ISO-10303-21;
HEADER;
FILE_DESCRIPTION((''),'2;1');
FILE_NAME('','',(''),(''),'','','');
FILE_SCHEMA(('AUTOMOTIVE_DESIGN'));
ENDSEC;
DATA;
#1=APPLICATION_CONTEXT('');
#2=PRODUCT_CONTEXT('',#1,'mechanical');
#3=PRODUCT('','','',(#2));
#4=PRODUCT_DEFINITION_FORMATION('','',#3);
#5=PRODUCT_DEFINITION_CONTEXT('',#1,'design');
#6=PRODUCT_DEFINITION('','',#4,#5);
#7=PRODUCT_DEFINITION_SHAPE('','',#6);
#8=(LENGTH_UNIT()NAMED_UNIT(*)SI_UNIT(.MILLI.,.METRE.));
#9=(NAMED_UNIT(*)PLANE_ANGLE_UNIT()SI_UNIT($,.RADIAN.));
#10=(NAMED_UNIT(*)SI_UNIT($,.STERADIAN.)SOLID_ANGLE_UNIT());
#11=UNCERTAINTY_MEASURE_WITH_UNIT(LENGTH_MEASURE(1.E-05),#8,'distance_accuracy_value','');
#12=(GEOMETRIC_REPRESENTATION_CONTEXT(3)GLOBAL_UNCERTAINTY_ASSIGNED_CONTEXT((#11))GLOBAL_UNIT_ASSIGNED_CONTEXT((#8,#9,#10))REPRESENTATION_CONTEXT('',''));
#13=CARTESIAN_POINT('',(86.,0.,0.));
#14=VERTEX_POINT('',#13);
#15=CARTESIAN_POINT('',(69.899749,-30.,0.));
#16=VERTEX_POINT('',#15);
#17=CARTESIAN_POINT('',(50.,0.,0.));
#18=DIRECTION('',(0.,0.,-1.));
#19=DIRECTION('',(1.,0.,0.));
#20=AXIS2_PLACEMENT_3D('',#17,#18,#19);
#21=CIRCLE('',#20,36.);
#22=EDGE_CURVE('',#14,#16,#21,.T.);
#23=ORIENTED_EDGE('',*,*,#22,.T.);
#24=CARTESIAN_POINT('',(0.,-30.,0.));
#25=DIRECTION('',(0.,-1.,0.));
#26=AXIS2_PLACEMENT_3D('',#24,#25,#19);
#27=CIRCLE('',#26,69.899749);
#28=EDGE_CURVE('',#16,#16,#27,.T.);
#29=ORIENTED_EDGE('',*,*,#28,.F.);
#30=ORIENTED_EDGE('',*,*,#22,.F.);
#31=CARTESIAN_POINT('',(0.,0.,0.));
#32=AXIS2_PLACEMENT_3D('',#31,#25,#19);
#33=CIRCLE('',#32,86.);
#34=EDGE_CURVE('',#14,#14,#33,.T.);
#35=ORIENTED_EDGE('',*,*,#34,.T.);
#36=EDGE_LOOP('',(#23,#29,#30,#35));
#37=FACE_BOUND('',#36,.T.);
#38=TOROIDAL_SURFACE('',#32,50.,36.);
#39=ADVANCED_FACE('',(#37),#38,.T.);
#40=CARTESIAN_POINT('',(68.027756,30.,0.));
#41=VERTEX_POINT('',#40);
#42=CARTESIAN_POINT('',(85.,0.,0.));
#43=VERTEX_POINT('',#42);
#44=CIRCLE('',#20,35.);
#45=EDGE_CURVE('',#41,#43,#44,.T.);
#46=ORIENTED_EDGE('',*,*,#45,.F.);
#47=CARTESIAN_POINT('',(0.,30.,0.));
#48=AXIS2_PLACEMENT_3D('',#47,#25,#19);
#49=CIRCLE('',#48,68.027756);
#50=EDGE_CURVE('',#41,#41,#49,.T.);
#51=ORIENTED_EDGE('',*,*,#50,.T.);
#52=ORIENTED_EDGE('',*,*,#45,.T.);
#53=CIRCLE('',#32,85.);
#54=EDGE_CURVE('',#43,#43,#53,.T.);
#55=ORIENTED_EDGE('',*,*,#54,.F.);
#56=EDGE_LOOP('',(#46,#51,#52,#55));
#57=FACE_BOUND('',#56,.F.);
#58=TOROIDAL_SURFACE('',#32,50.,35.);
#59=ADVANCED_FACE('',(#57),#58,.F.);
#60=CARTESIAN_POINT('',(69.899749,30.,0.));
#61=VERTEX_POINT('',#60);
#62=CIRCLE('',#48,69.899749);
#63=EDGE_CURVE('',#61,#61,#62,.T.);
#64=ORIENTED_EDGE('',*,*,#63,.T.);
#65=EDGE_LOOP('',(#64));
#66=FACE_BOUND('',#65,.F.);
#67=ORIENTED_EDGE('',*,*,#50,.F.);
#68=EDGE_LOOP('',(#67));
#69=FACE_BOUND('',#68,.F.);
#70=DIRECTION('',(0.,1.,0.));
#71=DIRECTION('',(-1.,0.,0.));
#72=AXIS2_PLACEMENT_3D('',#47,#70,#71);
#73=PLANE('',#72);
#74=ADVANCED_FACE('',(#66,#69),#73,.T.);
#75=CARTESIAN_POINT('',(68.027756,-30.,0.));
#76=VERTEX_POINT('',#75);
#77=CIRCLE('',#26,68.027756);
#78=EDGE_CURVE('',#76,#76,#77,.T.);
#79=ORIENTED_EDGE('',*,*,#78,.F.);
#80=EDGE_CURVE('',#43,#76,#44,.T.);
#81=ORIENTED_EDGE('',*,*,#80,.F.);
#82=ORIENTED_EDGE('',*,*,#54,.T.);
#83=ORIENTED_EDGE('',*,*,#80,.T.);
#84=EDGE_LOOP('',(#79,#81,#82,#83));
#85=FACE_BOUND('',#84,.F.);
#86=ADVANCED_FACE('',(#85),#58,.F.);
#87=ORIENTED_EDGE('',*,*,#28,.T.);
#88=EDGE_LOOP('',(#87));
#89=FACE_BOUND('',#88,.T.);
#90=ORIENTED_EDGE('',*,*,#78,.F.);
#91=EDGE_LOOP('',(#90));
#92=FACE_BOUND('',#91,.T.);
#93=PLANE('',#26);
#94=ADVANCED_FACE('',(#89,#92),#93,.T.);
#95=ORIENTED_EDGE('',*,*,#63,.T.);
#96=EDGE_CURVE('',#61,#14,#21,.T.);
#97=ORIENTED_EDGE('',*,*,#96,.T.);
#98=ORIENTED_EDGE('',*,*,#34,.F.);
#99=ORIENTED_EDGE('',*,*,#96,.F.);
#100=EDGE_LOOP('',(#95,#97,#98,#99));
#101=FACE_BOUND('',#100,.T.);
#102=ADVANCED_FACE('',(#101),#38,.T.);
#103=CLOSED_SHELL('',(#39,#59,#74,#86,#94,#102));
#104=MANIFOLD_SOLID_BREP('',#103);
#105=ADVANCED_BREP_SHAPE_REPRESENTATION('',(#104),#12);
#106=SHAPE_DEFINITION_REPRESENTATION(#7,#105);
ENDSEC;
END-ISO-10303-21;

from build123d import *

# Parameters (mm, degrees)
CYLINDER030_R          = 100
CYLINDER030_DEPTH      = 86
CYLINDER030_ROLL_ANGLE = 90
CYLINDER_R             = 50
CYLINDER_DEPTH         = 70
CYLINDER_ROLL_ANGLE    = 90
TORUS_R                = 35
TORUS_ROLL_ANGLE       = 90
CYLINDER029_R          = 60
CYLINDER029_DEPTH      = 86
CYLINDER029_ROLL_ANGLE = 90
TORUS001_R             = 36
TORUS001_ROLL_ANGLE    = 90


with BuildPart() as cilindro030:
    # Cylinder030 → Cylinder030 (new body)
    with BuildSketch(Plane.XY):
        Circle(CYLINDER030_R)
    extrude(amount=CYLINDER030_DEPTH)


with BuildPart() as cilindro030_1:
    # Cylinder030 roll: moved
    add(cilindro030.part.rotate(Axis((0, 0, 0), (1, 0, 0)), CYLINDER030_ROLL_ANGLE))


with BuildPart() as cilindro030_2:
    # Cylinder030 placement: moved
    add(cilindro030_1.part.moved(Location((0, -30, 0))))


with BuildPart() as fusion021:
    # Part__Mirroring005: instance of Cilindro030
    add(cilindro030_2.part.mirror(Plane(origin=(0, 0, 0), x_dir=(1, 0, 0), z_dir=(0, 1, 0))))

    # Fusion021: union Cilindro030
    add(cilindro030_2.part)


with BuildPart() as cilindro:
    # Cylinder → Cylinder (new body)
    with BuildSketch(Plane.XY):
        Circle(CYLINDER_R)
    extrude(amount=CYLINDER_DEPTH)


with BuildPart() as cilindro_1:
    # Cylinder roll: moved
    add(cilindro.part.rotate(Axis((0, 0, 0), (1, 0, 0)), CYLINDER_ROLL_ANGLE))


with BuildPart() as cilindro_2:
    # Cylinder placement: moved
    add(cilindro_1.part.moved(Location((0, 35, 0))))


with BuildPart() as clone_of_fusion:
    # Torus → Torus (revolve)
    with BuildSketch(Plane.XZ):
        with Locations((50, 0)):
            Circle(TORUS_R)
    revolve(axis=Axis((0, 0, 0), (0, 0, 1)))


with BuildPart() as clone_of_fusion_1:
    # Torus roll: moved
    add(clone_of_fusion.part.rotate(Axis((0, 0, 0), (1, 0, 0)), TORUS_ROLL_ANGLE))


with BuildPart() as clone_of_fusion_2:
    # Torus placement: moved
    add(clone_of_fusion_1.part)

    # Fusion: union Cilindro
    add(cilindro_2.part)


with BuildPart() as cilindro029:
    # Cylinder029 → Cylinder029 (new body)
    with BuildSketch(Plane.XY):
        Circle(CYLINDER029_R)
    extrude(amount=CYLINDER029_DEPTH)


with BuildPart() as cilindro029_1:
    # Cylinder029 roll: moved
    add(cilindro029.part.rotate(Axis((0, 0, 0), (1, 0, 0)), CYLINDER029_ROLL_ANGLE))


with BuildPart() as cilindro029_2:
    # Cylinder029 placement: moved
    add(cilindro029_1.part.moved(Location((0, 42, 0))))


with BuildPart() as cut030:
    # Torus001 → Torus001 (revolve)
    with BuildSketch(Plane.XZ):
        with Locations((50, 0)):
            Circle(TORUS001_R)
    revolve(axis=Axis((0, 0, 0), (0, 0, 1)))


with BuildPart() as cut030_1:
    # Torus001 roll: moved
    add(cut030.part.rotate(Axis((0, 0, 0), (1, 0, 0)), TORUS001_ROLL_ANGLE))


with BuildPart() as cut030_2:
    # Torus001 placement: moved
    add(cut030_1.part)

    # Cut028: cut Cilindro029
    add(cilindro029_2.part, mode=Mode.SUBTRACT)

    # Cut029: cut Clone of Fusion
    add(clone_of_fusion_2.part, mode=Mode.SUBTRACT)

    # Cut030: cut Fusion021
    add(fusion021.part, mode=Mode.SUBTRACT)


solid = cut030_2.part
